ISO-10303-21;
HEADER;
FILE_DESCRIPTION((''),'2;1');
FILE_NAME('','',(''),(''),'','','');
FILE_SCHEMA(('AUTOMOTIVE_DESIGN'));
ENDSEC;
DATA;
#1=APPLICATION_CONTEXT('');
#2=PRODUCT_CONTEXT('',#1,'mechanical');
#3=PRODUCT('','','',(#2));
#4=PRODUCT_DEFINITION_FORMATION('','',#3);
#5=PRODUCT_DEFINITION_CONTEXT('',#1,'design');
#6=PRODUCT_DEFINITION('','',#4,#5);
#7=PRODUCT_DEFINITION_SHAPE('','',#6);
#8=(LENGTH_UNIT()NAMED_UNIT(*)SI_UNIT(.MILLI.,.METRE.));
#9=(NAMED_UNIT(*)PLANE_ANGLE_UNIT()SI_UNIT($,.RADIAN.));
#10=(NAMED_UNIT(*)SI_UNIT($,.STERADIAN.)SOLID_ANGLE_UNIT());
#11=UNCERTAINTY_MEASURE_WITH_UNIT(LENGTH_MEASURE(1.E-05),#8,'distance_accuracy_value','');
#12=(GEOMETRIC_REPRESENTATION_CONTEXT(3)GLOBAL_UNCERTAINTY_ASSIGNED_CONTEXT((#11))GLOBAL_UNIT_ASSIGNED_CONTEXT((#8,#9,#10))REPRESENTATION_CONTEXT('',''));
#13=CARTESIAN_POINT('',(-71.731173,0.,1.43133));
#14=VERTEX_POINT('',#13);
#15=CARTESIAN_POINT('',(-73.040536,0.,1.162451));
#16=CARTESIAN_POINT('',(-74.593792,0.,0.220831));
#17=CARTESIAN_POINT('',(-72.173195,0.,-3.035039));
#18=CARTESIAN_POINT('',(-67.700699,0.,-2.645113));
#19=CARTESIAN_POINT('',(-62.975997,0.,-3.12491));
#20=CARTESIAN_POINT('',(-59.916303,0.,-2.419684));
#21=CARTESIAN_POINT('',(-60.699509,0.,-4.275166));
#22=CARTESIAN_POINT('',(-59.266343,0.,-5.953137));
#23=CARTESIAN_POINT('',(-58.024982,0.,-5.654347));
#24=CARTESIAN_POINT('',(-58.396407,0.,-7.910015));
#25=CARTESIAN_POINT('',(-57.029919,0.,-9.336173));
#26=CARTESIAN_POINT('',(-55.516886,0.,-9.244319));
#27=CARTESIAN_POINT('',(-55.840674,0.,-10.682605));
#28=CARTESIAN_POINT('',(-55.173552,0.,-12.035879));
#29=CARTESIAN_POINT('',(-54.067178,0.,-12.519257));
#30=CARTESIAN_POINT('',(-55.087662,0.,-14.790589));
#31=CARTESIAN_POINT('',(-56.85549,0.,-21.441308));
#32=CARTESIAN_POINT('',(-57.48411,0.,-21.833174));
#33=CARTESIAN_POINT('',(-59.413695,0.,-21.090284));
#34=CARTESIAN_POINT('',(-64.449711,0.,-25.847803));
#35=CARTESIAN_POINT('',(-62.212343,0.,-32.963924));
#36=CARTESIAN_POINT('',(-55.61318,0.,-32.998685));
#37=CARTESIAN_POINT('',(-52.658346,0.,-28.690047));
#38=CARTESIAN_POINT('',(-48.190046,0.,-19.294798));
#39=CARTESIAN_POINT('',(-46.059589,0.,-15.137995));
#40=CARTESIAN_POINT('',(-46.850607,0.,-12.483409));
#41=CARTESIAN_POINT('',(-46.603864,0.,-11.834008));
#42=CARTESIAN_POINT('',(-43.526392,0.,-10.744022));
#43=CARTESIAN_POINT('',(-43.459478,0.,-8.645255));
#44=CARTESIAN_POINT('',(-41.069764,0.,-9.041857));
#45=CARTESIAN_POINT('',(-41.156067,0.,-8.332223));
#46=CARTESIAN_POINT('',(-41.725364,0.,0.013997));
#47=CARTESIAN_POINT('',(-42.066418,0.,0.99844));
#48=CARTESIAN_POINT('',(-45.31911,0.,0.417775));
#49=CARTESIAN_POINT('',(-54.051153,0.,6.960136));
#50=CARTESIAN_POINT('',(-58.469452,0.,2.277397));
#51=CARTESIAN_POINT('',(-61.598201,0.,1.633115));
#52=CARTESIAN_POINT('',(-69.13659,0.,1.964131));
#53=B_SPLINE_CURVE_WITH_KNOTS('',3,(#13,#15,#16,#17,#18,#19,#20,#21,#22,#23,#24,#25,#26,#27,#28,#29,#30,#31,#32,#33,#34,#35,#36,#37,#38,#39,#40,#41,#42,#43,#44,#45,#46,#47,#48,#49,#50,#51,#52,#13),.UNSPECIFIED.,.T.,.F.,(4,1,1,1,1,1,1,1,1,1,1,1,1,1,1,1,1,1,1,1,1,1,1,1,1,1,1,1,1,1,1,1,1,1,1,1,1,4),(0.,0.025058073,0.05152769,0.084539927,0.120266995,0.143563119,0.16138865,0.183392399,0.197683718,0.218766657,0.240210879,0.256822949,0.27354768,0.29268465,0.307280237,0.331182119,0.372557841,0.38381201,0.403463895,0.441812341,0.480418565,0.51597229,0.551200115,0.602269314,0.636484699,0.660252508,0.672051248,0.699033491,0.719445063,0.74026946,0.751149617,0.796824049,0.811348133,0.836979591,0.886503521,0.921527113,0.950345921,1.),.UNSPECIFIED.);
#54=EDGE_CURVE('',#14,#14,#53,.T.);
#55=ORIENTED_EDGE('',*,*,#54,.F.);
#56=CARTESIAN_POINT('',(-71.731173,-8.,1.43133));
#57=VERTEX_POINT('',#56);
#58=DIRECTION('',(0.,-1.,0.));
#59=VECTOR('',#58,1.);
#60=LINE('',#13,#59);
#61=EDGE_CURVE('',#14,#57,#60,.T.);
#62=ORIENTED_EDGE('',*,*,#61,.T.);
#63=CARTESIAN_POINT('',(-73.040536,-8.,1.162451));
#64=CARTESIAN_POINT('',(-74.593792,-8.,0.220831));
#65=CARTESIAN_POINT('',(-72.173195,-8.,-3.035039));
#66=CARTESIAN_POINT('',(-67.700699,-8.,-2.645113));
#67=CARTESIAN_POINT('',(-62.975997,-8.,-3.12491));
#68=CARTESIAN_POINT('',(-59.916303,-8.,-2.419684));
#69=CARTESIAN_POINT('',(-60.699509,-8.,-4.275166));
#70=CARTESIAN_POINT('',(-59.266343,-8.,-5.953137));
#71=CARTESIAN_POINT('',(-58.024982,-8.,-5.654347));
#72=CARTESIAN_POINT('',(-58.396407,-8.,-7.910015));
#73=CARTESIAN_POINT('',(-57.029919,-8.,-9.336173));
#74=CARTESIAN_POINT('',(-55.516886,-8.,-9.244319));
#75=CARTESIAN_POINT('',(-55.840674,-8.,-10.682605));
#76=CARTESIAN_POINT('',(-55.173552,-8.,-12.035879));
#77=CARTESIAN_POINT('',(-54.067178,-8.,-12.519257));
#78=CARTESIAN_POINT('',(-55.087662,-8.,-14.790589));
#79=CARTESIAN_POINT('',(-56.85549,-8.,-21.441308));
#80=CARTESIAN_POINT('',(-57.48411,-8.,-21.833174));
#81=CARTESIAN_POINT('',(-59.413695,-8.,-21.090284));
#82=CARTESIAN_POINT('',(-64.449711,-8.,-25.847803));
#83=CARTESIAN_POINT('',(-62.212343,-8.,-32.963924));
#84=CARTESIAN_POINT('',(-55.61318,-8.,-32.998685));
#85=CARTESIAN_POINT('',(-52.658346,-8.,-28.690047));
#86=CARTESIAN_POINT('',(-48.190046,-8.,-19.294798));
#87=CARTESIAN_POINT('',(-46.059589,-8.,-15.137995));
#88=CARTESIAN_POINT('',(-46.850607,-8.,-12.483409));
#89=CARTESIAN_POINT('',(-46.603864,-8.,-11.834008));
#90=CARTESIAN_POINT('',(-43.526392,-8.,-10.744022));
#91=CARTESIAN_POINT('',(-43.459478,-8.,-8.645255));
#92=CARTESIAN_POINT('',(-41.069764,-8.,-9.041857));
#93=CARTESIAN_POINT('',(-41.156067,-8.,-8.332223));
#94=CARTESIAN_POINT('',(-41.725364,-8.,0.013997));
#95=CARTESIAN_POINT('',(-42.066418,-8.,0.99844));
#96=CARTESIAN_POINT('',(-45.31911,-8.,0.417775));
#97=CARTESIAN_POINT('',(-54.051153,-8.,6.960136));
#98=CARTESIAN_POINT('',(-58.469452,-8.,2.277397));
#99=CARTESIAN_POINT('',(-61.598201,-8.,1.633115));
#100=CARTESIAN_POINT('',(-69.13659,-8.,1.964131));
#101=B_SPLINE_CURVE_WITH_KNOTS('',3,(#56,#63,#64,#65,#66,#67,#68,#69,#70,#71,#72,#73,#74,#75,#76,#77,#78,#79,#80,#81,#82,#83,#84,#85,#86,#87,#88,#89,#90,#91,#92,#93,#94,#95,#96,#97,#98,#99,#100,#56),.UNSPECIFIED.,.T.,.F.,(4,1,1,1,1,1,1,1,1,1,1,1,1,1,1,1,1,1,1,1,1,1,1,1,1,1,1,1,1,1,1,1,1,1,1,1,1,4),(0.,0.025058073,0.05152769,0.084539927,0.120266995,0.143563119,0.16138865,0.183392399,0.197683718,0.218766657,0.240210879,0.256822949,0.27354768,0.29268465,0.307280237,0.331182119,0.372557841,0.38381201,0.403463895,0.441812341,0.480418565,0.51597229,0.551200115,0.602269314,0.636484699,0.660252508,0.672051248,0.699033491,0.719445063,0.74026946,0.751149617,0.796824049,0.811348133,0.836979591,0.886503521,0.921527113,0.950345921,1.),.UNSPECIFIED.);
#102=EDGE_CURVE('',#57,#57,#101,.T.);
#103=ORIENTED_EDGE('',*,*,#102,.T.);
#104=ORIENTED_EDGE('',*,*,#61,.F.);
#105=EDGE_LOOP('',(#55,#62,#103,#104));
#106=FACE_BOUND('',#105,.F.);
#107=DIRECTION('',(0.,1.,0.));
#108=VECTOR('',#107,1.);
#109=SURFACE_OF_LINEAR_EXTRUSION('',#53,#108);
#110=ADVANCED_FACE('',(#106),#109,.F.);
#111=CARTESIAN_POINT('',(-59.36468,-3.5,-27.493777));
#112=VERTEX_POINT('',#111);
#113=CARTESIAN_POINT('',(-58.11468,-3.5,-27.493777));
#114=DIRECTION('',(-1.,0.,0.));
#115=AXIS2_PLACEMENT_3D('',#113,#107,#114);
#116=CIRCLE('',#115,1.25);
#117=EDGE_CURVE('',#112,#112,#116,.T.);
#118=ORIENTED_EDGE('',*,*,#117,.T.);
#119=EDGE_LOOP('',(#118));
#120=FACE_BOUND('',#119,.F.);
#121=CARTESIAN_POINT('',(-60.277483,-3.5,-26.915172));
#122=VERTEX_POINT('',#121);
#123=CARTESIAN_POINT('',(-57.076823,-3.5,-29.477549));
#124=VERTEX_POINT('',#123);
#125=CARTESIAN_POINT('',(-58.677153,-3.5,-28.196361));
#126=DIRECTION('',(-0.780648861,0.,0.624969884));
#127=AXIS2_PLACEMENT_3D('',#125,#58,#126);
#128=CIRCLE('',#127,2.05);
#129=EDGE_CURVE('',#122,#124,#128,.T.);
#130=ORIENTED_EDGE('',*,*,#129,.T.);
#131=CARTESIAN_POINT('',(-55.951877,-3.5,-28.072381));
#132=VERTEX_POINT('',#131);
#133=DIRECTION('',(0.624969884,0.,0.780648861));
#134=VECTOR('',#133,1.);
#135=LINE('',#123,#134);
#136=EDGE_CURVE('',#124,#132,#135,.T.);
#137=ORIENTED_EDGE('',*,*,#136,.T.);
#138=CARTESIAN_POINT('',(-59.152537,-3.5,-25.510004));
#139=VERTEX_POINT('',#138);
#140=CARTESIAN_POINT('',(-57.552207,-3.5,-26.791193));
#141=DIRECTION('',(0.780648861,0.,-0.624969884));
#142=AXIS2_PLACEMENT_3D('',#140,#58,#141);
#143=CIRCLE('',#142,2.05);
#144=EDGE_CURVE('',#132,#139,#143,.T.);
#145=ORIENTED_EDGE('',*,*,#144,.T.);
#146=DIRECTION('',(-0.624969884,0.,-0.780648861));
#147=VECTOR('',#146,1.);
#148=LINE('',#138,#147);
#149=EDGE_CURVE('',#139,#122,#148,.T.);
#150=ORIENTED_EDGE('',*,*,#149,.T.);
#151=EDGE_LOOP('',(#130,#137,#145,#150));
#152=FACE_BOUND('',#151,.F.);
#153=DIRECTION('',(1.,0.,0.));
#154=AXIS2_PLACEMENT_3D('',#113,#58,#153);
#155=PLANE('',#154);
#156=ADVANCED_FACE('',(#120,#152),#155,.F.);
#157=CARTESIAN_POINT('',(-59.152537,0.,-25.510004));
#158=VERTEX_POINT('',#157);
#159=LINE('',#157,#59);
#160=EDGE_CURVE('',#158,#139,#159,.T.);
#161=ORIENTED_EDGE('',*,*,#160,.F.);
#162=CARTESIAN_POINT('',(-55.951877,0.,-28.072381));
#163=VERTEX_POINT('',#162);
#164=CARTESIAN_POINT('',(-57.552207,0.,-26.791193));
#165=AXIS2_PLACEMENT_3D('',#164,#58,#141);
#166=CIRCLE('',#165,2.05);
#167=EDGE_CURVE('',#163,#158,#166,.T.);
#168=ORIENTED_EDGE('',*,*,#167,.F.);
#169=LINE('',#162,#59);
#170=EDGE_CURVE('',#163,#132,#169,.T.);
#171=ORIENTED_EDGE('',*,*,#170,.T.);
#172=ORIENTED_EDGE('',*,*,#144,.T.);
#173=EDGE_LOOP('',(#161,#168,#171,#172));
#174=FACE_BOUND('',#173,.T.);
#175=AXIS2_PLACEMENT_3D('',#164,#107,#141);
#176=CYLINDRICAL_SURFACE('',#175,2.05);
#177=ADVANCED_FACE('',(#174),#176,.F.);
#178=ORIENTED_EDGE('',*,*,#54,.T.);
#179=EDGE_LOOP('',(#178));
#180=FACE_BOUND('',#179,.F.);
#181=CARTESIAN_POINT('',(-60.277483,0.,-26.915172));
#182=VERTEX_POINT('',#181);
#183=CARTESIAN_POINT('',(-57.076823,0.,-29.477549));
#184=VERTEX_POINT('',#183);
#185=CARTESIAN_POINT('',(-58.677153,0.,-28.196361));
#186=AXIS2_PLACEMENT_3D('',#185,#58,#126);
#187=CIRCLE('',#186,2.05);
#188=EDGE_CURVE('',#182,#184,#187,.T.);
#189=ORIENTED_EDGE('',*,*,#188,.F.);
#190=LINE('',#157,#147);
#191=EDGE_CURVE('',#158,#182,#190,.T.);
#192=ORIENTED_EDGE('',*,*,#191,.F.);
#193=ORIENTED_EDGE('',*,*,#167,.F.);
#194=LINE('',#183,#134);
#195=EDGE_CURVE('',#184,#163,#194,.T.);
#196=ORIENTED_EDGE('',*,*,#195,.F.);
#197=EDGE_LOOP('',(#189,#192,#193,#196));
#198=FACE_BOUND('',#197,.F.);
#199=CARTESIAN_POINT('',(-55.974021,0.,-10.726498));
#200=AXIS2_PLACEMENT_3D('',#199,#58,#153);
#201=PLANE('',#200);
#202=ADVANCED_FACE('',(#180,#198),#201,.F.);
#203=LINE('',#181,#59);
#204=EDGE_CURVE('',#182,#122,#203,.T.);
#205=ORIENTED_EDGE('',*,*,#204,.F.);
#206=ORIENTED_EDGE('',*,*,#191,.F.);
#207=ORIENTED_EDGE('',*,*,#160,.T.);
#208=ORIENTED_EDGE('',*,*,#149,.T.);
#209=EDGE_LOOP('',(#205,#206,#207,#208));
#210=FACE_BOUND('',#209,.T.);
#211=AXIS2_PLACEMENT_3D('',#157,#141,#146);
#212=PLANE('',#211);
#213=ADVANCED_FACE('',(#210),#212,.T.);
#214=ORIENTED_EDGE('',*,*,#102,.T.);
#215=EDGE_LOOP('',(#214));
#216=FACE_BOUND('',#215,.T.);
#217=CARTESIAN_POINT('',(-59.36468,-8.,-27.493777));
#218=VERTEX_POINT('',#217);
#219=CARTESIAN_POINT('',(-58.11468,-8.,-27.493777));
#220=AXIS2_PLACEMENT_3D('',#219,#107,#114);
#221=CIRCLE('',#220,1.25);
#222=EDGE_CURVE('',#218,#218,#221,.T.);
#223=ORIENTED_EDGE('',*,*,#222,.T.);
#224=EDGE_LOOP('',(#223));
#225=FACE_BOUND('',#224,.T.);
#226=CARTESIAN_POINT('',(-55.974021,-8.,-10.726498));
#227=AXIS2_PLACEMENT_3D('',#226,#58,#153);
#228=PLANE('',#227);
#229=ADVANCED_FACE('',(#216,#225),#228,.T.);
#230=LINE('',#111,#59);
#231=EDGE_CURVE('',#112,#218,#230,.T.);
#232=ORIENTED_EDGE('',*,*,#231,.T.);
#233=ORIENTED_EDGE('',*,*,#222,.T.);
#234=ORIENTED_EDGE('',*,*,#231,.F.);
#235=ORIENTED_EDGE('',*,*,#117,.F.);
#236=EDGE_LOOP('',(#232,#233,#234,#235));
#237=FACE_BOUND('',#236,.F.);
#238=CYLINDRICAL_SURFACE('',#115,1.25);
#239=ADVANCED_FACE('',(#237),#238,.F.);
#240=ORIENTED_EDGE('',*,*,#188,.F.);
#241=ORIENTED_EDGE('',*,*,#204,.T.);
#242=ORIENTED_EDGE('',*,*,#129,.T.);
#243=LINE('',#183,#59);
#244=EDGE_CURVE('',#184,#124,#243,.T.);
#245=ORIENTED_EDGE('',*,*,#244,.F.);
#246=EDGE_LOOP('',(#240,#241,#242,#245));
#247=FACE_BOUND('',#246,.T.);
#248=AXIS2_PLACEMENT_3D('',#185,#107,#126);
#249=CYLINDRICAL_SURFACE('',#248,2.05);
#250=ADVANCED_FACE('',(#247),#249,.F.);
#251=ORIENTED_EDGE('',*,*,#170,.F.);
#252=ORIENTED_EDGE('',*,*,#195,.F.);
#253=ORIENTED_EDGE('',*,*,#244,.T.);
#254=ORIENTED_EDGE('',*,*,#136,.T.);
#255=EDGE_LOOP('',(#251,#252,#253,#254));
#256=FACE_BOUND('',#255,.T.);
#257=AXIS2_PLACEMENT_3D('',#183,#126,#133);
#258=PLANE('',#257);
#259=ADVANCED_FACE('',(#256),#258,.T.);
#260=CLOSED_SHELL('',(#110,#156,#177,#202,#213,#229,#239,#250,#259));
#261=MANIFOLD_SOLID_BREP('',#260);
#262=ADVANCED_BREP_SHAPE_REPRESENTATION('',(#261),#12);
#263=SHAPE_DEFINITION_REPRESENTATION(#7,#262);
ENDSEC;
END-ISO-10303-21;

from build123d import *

# Parameters (mm, degrees)
F1_DEPTH = 8
F2_DEPTH = 3.5
F3_R     = 1.25
F4_DEPTH = 4.5010001


with BuildPart() as f1:
    # F0 (on Front) → F1 (new body)
    with BuildSketch(Plane.XZ):
        with BuildLine():
            add(Edge.make_bspline(
                [(-71.731172502, 1.43133034), (-73.04053618, 1.1624508433), (-74.5937922373, 0.2208313361), (-72.1731948119, -3.0350394082), (-67.7006992814, -2.6451128169), (-62.9759967127, -3.1249102981), (-59.9163026855, -2.4196837058), (-60.699508873, -4.2751657397), (-59.2663432843, -5.9531368884), (-58.0249818038, -5.6543465053), (-58.3964074303, -7.9100145793), (-57.0299194733, -9.3361729822), (-55.5168864223, -9.2443190918), (-55.8406737667, -10.6826049031), (-55.1735523291, -12.0358789752), (-54.0671781732, -12.5192565966), (-55.0876619192, -14.7905890581), (-56.8554901658, -21.4413083241), (-57.4841098816, -21.833173753), (-59.4136946908, -21.0902843943), (-64.4497110951, -25.847802844), (-62.2123434925, -32.9639240025), (-55.613180053, -32.9986854403), (-52.6583460908, -28.6900471911), (-48.1900464507, -19.2947980443), (-46.0595887014, -15.1379951788), (-46.8506074048, -12.4834085249), (-46.6038638236, -11.8340084126), (-43.5263919141, -10.744021729), (-43.4594779034, -8.6452551314), (-41.0697636715, -9.041856793), (-41.1560669619, -8.3322234853), (-41.7253637249, 0.0139966255), (-42.0664175896, 0.9984398938), (-45.3191102333, 0.4177746621), (-54.0511527411, 6.9601359079), (-58.4694519552, 2.2773972946), (-61.5982013325, 1.633114696), (-69.1365896264, 1.9641312336), (-71.731172502, 1.43133034)],
                knots=[0, 0, 0, 0, 0.0250580732, 0.0515276896, 0.0845399269, 0.1202669945, 0.1435631192, 0.1613886501, 0.1833923989, 0.1976837179, 0.2187666575, 0.2402108789, 0.2568229489, 0.2735476803, 0.2926846501, 0.3072802366, 0.3311821187, 0.3725578415, 0.3838120096, 0.4034638954, 0.4418123415, 0.4804185647, 0.5159722904, 0.5512001146, 0.6022693138, 0.6364846988, 0.6602525081, 0.6720512477, 0.6990334911, 0.7194450634, 0.7402694604, 0.7511496172, 0.7968240491, 0.8113481328, 0.8369795906, 0.8865035211, 0.9215271128, 0.9503459208, 1, 1, 1, 1], degree=3))
        make_face()
        with BuildLine():
            ThreePointArc((-59.1525374261, -25.5100043288), (-56.2710189989, -25.1908624264), (-55.9518770965, -28.0723808536))
            Line((-55.9518770965, -28.0723808536), (-57.0768228879, -29.4775488031))
            ThreePointArc((-57.0768228879, -29.4775488031), (-59.9583413151, -29.7966907056), (-60.2774832175, -26.9151722784))
            Line((-60.2774832175, -26.9151722784), (-59.1525374261, -25.5100043288))
        make_face(mode=Mode.SUBTRACT)
        with BuildLine():
            Line((-57.0768228879, -29.4775488031), (-55.9518770965, -28.0723808536))
            ThreePointArc((-55.9518770965, -28.0723808536), (-56.2710189989, -25.1908624264), (-59.1525374261, -25.5100043288))
            Line((-59.1525374261, -25.5100043288), (-60.2774832175, -26.9151722784))
            ThreePointArc((-60.2774832175, -26.9151722784), (-59.9583413151, -29.7966907056), (-57.0768228879, -29.4775488031))
        make_face()
    extrude(amount=F1_DEPTH)

    # F0 (on Front) → F2 (cut)
    with BuildSketch(Plane.XZ):
        with BuildLine():
            Line((-57.0768228879, -29.4775488031), (-55.9518770965, -28.0723808536))
            ThreePointArc((-55.9518770965, -28.0723808536), (-56.2710189989, -25.1908624264), (-59.1525374261, -25.5100043288))
            Line((-59.1525374261, -25.5100043288), (-60.2774832175, -26.9151722784))
            ThreePointArc((-60.2774832175, -26.9151722784), (-59.9583413151, -29.7966907056), (-57.0768228879, -29.4775488031))
        make_face()
    extrude(amount=F2_DEPTH, mode=Mode.SUBTRACT)

    # F3 (on face) → F4 (cut, through all)
    with BuildSketch(Plane(origin=(0, -3.5, 0), x_dir=(-1, 0, 0), z_dir=(0, 1, 0))):
        with Locations((58.114680157, -27.493776566)):
            Circle(F3_R)
    extrude(amount=-F4_DEPTH, mode=Mode.SUBTRACT)


solid = f1.part
